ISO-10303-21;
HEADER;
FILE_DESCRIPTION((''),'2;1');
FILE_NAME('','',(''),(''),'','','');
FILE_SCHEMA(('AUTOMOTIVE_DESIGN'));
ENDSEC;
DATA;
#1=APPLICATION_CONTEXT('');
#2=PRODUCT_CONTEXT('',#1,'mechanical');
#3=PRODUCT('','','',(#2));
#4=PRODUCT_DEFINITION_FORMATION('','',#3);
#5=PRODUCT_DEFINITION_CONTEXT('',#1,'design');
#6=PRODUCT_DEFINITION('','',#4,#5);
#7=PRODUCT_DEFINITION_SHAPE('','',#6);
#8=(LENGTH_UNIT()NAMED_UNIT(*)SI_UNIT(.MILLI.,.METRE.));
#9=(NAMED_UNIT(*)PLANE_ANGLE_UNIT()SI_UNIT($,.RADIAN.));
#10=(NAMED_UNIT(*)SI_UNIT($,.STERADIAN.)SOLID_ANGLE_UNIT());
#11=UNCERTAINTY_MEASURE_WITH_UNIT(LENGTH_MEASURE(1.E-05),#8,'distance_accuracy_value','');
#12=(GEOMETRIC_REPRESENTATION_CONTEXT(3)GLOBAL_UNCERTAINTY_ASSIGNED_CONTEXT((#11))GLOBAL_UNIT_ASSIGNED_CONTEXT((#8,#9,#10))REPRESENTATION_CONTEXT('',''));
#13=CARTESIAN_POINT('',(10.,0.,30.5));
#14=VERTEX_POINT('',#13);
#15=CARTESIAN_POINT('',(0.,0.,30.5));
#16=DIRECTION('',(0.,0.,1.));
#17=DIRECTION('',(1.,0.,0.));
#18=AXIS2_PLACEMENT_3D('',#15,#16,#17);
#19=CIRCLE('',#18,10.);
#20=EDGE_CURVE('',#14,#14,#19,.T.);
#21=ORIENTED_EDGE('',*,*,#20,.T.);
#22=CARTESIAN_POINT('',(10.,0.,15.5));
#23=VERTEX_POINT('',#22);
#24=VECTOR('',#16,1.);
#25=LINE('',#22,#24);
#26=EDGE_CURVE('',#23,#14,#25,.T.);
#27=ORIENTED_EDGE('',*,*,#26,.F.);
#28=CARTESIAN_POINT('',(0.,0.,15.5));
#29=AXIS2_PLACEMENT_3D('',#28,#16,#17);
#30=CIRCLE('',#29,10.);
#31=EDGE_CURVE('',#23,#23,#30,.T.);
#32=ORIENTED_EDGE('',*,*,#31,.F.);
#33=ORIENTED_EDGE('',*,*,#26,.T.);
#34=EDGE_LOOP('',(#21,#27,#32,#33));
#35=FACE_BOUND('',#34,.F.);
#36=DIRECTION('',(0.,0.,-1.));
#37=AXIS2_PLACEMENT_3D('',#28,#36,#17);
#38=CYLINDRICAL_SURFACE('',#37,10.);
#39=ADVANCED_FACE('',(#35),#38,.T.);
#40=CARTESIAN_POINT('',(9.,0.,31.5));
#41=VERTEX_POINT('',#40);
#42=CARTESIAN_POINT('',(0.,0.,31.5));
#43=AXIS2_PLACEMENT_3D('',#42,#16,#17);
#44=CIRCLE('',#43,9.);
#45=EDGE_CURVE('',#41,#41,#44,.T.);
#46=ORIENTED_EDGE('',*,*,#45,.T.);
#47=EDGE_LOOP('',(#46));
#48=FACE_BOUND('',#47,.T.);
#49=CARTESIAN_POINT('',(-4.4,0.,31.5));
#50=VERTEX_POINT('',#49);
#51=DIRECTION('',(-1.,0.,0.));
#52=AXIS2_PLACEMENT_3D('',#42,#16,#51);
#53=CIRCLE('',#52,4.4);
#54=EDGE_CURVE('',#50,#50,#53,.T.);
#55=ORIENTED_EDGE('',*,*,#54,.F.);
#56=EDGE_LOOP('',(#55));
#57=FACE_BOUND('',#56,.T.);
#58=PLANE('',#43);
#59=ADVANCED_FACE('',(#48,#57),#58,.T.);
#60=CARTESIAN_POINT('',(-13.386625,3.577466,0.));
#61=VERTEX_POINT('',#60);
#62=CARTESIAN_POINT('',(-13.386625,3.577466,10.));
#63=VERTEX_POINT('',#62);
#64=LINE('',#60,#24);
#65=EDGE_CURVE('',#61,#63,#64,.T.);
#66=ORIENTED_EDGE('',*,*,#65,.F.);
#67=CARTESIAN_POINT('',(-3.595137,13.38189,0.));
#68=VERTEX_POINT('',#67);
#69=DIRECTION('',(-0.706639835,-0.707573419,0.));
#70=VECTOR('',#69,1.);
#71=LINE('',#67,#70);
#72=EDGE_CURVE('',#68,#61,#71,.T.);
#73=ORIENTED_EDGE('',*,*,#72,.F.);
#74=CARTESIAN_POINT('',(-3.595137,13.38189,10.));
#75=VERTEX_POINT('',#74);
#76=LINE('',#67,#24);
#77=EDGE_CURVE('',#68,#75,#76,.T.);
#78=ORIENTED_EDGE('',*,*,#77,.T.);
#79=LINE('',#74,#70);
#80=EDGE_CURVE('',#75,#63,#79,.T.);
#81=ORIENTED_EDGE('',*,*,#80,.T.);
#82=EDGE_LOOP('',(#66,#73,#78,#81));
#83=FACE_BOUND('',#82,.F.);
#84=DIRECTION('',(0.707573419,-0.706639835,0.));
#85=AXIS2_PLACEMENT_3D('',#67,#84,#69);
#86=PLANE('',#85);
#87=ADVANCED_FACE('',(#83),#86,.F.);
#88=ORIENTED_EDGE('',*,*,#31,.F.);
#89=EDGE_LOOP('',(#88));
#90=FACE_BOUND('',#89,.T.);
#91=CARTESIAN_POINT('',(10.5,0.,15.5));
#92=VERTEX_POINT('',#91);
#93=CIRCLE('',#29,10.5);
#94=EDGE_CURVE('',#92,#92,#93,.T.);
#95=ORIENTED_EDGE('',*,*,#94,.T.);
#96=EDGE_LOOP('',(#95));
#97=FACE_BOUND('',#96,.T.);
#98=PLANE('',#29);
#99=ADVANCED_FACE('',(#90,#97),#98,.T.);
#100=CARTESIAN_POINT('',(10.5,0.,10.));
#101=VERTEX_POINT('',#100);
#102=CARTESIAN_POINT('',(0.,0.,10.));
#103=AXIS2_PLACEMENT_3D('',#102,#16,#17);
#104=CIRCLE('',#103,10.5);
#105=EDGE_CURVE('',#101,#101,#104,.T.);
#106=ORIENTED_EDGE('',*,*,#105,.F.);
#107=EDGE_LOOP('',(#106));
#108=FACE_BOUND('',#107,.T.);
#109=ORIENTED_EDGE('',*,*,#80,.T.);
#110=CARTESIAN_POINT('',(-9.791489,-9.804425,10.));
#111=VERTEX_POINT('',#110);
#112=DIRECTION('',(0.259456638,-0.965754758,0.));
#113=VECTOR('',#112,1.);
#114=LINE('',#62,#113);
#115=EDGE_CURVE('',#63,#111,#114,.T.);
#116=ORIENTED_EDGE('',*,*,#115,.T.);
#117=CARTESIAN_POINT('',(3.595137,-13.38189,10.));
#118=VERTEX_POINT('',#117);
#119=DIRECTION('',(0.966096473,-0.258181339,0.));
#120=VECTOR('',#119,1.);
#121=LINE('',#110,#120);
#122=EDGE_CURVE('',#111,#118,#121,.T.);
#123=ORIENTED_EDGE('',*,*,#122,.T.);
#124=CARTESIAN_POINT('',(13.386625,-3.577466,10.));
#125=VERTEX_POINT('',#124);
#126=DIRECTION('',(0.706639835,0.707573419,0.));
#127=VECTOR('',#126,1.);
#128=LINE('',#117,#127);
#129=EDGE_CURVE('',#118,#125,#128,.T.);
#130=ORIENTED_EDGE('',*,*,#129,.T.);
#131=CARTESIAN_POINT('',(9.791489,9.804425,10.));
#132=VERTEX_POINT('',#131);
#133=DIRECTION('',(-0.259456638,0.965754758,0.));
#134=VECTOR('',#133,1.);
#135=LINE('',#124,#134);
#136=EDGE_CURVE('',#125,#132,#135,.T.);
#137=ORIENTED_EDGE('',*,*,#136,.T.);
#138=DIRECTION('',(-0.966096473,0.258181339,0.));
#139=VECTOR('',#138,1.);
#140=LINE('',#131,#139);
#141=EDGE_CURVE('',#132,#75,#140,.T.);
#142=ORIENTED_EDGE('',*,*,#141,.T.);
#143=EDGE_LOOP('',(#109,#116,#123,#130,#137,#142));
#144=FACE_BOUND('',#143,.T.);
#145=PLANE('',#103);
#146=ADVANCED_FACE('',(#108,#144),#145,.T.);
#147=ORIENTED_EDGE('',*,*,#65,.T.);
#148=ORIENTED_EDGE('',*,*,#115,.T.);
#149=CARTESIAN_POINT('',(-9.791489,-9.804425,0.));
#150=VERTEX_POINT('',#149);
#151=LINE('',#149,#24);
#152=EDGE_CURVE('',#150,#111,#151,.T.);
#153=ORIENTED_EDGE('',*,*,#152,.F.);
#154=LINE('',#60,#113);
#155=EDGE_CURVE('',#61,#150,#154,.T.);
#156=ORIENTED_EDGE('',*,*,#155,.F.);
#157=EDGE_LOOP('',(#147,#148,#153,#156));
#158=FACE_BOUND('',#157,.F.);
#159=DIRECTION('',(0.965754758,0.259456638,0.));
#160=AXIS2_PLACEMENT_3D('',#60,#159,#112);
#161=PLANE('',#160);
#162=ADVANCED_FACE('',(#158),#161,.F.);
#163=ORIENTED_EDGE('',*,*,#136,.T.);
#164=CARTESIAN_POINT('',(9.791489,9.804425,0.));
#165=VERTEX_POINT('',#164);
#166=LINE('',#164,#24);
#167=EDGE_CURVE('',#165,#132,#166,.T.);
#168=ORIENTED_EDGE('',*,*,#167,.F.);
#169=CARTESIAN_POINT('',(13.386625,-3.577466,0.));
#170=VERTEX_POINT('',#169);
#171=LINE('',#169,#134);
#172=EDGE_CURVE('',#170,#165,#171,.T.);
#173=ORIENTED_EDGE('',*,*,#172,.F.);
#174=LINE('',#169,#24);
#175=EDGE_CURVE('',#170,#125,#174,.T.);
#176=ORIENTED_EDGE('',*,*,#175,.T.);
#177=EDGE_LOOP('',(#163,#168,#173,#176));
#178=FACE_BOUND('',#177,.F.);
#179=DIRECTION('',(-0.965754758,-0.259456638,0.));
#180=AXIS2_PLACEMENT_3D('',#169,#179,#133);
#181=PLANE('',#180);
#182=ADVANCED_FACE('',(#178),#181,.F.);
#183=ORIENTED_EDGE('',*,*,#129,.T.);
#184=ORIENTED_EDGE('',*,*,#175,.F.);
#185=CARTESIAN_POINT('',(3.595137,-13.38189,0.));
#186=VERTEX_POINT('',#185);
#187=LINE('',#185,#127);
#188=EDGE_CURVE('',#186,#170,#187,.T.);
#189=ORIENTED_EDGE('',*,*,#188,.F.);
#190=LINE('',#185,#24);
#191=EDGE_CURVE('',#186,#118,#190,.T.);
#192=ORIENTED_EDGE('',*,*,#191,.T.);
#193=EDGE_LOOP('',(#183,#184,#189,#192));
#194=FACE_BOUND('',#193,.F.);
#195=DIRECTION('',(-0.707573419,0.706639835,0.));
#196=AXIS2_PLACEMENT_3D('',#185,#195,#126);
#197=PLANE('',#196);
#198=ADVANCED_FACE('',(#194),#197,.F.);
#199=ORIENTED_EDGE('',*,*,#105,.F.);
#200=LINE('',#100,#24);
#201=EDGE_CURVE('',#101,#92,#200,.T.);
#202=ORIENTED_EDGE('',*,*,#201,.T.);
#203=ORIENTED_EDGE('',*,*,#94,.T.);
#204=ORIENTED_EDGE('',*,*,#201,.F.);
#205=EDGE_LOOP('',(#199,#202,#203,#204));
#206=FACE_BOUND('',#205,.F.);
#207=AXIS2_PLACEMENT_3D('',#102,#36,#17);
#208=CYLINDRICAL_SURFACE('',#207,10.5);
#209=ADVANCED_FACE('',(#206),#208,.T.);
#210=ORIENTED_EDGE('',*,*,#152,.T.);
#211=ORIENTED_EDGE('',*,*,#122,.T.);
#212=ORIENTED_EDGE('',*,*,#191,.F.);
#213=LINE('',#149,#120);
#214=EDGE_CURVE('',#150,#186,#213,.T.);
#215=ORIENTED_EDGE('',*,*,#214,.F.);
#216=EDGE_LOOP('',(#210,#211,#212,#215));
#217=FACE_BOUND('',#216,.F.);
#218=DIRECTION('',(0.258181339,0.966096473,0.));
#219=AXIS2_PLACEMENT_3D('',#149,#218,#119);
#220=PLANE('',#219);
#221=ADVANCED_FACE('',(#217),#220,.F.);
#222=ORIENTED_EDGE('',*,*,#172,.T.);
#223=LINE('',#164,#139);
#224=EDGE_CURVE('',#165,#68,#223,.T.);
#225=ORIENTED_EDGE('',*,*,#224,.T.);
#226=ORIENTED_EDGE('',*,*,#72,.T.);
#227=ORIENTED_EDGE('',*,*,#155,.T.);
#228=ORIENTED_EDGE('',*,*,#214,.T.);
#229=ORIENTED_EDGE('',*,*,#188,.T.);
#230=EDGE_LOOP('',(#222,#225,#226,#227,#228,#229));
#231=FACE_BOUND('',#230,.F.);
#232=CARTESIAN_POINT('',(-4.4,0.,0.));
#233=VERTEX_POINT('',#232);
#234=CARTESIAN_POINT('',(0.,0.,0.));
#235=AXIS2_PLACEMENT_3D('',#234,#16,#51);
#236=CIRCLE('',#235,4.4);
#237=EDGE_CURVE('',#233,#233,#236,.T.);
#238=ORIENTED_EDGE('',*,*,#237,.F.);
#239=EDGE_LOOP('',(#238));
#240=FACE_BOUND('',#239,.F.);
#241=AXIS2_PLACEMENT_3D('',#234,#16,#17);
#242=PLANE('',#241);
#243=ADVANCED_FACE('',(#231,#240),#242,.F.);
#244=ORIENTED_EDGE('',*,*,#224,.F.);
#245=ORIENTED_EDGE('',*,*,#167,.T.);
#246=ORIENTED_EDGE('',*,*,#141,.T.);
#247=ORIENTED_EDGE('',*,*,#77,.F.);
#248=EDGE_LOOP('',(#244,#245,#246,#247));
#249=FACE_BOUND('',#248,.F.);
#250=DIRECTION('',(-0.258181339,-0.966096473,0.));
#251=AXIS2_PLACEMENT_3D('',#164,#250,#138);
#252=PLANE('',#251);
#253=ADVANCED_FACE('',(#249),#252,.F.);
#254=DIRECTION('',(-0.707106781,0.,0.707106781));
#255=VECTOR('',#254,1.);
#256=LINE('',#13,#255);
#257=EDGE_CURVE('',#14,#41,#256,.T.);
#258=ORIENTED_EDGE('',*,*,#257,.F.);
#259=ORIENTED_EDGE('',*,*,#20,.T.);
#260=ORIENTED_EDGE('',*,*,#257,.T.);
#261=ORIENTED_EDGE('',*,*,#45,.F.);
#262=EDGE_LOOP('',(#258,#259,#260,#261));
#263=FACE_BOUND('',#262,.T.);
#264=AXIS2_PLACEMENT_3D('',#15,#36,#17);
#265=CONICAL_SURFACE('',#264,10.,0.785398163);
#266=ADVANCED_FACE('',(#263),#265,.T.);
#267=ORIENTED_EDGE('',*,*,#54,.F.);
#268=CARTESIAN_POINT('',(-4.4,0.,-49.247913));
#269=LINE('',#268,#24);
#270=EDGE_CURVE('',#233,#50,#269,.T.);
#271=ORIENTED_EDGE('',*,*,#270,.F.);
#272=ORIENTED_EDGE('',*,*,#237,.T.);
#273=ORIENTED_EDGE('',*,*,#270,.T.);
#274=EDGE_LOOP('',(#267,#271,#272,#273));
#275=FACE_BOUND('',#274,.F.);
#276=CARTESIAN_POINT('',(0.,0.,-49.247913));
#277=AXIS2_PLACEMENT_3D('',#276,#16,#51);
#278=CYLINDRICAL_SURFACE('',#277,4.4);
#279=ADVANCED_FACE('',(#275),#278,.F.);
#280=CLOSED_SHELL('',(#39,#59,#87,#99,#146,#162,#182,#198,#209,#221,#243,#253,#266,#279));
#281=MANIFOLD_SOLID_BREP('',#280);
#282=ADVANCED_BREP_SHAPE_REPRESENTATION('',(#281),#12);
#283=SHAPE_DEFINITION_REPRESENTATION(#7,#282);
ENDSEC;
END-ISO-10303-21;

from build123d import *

# Parameters (mm, degrees)
F1_DEPTH = 10
F2_R     = 10.5
F3_DEPTH = 5.5
F4_R     = 10
F5_DEPTH = 16
F6_SIZE  = 1
F8_D     = 8.8


with BuildPart() as f1:
    # F0 (on Top) → F1 (new body)
    with BuildSketch(Plane.XY):
        Polygon((3.5951366344, -13.3818904711), (13.3866254158, -3.5774655801), (9.7914887815, 9.804424891), (-3.5951366344, 13.3818904711), (-13.3866254158, 3.5774655801), (-9.7914887815, -9.804424891), align=None)
    extrude(amount=F1_DEPTH)

    # F2 (on face) → F3 (join)
    with BuildSketch(Plane.XY.offset(10)):
        Circle(F2_R)
    extrude(amount=F3_DEPTH)

    # F4 (on face) → F5 (join)
    with BuildSketch(Plane.XY.offset(15.5)):
        Circle(F4_R)
    extrude(amount=F5_DEPTH)

    # F6
    f6_edges = [f1.edges().sort_by_distance(p)[0] for p in [
        (-10, 0, 31.5),
    ]]
    chamfer(f6_edges, length=F6_SIZE)

    # F8 (through all)
    with Locations(Plane(origin=(0, 0, 0), x_dir=(1, 0, 0), z_dir=(0, 0, -1))):
        with Locations((0, 0)):
            Hole(F8_D / 2)


solid = f1.part
